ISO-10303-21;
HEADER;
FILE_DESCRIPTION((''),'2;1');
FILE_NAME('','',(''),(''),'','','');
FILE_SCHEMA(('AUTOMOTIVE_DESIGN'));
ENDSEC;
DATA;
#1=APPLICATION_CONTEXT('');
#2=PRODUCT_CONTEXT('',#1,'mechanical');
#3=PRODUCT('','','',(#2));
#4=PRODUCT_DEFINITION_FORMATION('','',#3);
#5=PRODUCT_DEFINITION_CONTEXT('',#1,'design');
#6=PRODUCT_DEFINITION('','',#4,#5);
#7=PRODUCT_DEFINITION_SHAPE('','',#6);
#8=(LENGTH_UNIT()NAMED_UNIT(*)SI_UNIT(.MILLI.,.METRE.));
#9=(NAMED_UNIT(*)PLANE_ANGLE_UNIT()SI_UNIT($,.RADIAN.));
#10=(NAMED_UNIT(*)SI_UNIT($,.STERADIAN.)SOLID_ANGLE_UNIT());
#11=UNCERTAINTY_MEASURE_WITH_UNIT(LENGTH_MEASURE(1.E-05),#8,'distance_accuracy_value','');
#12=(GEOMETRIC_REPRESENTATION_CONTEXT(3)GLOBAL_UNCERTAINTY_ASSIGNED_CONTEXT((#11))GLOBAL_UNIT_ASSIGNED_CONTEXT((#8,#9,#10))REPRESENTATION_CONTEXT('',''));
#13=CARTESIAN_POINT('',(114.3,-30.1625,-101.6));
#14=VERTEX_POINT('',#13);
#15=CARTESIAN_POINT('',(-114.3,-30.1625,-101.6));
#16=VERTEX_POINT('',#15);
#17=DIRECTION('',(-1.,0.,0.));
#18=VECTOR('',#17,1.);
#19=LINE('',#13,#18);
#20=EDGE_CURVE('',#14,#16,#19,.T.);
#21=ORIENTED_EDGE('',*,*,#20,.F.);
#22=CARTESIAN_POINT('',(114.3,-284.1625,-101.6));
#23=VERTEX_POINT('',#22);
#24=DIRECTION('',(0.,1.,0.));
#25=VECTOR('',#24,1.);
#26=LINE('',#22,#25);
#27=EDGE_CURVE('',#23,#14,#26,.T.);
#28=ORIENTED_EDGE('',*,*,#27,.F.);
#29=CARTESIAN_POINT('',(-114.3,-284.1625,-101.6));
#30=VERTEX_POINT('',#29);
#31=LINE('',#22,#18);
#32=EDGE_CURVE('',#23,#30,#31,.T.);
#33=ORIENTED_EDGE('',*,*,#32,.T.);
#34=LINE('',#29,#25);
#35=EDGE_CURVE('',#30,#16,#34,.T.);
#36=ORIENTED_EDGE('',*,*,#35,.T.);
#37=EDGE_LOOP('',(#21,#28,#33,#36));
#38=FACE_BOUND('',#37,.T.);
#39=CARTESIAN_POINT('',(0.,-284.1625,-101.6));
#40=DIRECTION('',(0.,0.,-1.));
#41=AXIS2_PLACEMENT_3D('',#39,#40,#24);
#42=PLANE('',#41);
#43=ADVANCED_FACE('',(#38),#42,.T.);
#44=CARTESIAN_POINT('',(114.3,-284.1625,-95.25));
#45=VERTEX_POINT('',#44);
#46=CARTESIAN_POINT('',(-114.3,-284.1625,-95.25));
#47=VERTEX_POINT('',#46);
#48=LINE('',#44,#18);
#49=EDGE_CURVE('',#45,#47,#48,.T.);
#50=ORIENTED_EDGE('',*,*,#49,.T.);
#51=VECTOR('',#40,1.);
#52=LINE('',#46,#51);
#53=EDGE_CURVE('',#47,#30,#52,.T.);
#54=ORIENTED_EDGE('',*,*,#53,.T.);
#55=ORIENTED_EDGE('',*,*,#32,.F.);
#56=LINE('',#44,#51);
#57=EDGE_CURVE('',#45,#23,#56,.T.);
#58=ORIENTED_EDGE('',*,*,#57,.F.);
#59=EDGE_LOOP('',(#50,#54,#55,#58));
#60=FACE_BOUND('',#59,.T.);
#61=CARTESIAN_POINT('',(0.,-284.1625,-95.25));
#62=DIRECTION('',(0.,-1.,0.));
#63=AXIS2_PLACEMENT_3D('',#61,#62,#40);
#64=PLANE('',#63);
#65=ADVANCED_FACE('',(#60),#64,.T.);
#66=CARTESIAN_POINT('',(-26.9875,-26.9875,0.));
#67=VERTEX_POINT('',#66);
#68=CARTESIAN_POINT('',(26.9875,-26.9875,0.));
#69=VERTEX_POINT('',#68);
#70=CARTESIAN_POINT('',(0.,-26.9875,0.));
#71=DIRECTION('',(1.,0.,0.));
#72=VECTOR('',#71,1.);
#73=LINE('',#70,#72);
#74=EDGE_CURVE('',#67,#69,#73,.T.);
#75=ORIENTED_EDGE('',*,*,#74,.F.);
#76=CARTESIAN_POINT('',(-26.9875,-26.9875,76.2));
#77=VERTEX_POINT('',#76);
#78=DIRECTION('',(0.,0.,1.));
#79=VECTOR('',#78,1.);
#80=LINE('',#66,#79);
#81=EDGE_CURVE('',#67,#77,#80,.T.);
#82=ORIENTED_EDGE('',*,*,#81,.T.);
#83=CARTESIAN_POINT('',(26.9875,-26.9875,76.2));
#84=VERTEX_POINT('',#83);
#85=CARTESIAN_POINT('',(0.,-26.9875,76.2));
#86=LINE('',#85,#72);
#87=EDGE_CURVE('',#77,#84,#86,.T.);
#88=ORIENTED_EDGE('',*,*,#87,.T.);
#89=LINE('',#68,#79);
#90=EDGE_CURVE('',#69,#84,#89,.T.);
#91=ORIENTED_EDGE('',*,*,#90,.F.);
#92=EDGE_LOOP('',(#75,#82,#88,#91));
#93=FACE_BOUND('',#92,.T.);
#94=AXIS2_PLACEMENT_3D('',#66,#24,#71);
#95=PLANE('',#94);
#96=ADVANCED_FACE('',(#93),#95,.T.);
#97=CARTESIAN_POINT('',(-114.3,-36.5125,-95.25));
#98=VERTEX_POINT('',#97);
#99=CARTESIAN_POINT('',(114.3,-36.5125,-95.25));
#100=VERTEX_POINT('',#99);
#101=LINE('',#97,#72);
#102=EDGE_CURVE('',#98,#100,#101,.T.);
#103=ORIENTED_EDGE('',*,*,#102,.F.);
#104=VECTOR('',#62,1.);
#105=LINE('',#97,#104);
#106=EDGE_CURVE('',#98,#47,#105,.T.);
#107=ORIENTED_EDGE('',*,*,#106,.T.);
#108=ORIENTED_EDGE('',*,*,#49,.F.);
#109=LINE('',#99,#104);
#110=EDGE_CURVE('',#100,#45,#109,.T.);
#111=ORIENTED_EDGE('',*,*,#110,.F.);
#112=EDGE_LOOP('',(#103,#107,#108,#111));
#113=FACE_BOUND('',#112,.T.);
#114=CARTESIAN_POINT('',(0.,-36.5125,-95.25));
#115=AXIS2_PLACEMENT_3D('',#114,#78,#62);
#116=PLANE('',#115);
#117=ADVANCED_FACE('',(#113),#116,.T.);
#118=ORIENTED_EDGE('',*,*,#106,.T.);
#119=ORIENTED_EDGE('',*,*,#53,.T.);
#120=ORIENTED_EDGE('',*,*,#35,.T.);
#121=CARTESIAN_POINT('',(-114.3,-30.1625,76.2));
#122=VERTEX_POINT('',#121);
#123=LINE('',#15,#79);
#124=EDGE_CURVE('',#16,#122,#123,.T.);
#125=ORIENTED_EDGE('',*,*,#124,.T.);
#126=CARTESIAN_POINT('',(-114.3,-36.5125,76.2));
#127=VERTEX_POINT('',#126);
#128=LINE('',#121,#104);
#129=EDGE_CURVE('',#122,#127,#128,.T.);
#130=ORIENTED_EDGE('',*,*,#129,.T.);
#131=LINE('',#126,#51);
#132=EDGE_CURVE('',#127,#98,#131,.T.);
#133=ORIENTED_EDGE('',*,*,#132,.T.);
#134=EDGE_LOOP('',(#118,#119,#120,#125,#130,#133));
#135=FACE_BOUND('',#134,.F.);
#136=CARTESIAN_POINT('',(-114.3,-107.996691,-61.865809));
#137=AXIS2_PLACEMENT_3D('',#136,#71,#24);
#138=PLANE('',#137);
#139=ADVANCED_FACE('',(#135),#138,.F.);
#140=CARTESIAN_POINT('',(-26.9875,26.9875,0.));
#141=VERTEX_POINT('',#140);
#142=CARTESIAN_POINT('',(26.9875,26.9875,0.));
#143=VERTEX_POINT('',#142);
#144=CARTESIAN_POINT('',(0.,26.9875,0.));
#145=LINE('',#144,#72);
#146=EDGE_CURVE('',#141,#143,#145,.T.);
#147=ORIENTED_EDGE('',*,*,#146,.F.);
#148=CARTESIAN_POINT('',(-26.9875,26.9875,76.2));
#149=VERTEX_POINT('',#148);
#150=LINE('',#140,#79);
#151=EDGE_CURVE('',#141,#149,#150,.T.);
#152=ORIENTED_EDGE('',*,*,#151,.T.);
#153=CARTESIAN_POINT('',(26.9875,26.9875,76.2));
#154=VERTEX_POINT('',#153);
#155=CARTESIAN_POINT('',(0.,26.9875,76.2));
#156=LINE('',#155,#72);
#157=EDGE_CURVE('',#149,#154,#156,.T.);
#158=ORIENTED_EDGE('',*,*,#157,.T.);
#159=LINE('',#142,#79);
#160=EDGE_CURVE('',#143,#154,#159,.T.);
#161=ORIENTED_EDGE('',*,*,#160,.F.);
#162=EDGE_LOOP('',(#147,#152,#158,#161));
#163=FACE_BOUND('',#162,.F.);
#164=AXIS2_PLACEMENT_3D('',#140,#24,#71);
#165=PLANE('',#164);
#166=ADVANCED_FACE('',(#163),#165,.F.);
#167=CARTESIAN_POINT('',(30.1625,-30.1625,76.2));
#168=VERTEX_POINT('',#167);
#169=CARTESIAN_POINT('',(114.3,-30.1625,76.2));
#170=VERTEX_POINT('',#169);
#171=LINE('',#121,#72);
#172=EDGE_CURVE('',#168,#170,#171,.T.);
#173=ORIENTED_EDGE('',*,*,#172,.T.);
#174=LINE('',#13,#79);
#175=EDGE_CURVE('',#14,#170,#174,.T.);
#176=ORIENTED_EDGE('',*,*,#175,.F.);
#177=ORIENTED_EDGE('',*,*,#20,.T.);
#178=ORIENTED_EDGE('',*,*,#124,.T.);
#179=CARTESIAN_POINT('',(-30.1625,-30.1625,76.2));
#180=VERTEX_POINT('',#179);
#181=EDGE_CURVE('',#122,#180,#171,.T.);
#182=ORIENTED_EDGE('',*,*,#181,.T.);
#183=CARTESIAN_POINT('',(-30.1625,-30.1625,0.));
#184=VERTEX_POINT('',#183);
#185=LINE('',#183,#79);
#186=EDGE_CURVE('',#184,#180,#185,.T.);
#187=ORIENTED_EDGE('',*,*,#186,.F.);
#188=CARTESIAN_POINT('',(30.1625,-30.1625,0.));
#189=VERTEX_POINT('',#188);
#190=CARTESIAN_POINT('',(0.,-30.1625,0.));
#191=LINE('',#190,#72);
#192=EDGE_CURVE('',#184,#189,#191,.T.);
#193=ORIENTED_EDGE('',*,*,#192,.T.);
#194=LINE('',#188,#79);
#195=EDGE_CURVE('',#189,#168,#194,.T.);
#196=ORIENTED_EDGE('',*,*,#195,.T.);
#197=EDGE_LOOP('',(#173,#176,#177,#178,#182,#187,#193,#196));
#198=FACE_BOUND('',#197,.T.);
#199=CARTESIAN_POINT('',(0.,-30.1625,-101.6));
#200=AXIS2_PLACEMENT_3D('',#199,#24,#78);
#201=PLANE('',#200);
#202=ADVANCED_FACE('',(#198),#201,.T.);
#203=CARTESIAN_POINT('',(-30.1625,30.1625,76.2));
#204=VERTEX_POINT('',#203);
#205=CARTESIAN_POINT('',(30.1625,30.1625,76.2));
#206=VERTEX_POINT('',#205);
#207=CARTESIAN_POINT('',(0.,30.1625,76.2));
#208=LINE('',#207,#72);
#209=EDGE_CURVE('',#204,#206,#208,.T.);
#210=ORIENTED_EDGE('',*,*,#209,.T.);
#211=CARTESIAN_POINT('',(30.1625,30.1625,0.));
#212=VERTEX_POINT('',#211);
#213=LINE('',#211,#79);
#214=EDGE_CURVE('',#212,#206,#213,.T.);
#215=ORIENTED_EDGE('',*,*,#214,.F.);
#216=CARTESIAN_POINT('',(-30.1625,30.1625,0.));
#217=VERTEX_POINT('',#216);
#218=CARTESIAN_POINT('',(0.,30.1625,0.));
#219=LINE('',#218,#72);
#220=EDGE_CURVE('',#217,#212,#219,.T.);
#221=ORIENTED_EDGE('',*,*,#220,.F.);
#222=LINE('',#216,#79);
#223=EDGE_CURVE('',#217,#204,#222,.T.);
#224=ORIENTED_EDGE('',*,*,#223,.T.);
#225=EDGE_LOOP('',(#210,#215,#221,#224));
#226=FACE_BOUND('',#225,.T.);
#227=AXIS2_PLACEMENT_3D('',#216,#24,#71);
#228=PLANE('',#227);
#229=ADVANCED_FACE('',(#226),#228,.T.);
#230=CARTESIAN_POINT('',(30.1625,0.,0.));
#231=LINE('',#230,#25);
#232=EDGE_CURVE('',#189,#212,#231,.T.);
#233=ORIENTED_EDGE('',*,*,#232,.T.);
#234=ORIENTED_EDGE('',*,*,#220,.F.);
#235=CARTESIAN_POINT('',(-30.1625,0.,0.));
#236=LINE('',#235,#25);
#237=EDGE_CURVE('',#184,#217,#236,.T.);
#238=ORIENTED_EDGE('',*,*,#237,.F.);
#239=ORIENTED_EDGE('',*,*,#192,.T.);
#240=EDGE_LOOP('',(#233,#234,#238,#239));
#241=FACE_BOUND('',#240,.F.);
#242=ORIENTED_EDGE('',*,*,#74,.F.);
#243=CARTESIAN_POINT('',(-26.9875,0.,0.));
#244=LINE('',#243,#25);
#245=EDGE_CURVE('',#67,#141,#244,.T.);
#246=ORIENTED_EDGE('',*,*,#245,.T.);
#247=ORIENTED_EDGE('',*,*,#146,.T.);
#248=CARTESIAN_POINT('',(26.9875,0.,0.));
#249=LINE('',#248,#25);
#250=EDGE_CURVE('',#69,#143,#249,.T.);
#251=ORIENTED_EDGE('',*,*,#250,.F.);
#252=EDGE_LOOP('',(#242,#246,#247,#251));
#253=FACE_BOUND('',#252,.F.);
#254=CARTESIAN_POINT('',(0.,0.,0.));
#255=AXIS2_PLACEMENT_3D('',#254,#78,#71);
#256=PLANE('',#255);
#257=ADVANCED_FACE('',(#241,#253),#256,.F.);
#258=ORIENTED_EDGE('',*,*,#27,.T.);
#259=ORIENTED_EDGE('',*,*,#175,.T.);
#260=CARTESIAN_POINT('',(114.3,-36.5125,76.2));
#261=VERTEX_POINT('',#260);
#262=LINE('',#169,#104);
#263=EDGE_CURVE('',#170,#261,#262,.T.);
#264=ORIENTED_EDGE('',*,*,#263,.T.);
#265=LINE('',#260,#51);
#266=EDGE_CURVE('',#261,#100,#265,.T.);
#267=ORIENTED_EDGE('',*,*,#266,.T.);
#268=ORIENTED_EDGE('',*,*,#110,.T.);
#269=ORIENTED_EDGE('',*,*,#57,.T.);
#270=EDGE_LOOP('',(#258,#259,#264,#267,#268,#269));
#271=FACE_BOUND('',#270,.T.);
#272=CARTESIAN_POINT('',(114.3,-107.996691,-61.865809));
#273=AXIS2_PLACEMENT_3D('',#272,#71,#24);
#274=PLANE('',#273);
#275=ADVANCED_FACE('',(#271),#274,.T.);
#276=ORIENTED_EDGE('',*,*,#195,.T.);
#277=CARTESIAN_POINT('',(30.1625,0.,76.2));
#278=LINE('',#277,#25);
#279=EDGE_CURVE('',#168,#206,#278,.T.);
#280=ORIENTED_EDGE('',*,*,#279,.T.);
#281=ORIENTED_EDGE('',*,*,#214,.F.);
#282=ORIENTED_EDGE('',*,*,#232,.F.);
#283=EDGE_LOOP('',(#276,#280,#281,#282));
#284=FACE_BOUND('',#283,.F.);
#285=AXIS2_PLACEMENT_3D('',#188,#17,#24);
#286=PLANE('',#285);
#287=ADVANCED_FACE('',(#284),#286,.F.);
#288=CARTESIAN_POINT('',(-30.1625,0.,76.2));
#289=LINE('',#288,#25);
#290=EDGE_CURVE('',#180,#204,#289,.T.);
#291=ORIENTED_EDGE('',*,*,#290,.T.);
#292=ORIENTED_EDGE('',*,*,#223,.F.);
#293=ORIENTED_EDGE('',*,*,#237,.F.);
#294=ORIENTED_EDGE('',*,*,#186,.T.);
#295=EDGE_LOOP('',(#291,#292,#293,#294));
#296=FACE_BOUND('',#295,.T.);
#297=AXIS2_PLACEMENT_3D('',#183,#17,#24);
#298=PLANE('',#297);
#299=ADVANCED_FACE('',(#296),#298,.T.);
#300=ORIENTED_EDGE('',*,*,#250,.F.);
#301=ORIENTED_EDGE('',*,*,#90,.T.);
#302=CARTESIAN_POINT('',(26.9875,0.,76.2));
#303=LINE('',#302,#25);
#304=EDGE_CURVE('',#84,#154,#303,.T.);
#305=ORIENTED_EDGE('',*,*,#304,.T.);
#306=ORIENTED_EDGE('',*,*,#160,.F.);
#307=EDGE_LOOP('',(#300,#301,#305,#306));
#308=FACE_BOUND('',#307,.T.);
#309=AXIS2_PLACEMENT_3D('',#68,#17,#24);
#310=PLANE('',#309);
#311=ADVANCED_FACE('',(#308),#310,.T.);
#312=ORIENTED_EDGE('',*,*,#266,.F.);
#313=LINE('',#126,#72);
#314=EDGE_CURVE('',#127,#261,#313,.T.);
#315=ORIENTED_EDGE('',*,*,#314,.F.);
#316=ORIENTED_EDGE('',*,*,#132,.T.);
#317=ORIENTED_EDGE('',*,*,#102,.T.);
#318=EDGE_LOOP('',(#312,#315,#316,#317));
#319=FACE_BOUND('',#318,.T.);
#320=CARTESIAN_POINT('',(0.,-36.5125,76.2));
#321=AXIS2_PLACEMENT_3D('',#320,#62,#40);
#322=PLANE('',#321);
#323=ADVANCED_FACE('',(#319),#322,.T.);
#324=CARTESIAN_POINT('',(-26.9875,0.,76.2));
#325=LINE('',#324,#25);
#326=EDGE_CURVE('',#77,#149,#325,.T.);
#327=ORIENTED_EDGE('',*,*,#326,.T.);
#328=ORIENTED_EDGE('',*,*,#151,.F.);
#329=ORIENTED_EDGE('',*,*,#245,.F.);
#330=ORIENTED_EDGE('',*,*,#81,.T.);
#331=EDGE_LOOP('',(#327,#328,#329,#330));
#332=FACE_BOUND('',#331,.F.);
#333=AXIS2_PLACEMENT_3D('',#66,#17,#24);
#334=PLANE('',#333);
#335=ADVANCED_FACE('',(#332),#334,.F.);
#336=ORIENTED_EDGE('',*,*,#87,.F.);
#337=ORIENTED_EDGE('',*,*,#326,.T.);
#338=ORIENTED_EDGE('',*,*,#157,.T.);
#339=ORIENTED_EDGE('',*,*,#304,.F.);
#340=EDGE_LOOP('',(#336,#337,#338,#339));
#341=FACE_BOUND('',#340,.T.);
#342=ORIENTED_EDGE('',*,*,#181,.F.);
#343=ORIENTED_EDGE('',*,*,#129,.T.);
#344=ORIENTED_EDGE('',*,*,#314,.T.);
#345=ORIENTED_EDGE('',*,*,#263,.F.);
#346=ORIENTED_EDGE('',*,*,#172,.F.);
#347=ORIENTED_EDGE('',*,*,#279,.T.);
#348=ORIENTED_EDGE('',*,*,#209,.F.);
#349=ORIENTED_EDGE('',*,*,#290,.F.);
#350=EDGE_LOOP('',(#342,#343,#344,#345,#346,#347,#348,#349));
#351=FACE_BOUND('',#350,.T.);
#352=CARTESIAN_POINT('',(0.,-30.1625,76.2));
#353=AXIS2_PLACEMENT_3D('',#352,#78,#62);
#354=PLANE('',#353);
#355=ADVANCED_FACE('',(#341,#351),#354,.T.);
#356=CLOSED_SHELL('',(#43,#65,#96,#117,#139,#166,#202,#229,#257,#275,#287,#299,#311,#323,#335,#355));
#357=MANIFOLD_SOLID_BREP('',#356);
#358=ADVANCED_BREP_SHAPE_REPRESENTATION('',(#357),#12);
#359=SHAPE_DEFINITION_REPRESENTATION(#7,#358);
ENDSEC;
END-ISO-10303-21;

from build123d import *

# Parameters (mm, degrees)
F0_W     = 60.325
F0_H     = 60.325
F0_W_2   = 53.975
F0_H_2   = 53.975
F1_DEPTH = 76.2
F3_DEPTH = 114.3


with BuildPart() as f1:
    # F0 (on Top) → F1 (new body)
    with BuildSketch(Plane.XY):
        Rectangle(F0_W, F0_H)
        Rectangle(F0_W_2, F0_H_2, mode=Mode.SUBTRACT)
    extrude(amount=F1_DEPTH)

    # F2 (on Right) → F3 (join, symmetric)
    with BuildSketch(Plane.YZ):
        Polygon((-30.1625, -101.6), (-30.1625, 76.2), (-36.5125, 76.2), (-36.5125, -95.25), (-284.1625, -95.25), (-284.1625, -101.6), align=None)
    extrude(amount=F3_DEPTH, both=True)


solid = f1.part
